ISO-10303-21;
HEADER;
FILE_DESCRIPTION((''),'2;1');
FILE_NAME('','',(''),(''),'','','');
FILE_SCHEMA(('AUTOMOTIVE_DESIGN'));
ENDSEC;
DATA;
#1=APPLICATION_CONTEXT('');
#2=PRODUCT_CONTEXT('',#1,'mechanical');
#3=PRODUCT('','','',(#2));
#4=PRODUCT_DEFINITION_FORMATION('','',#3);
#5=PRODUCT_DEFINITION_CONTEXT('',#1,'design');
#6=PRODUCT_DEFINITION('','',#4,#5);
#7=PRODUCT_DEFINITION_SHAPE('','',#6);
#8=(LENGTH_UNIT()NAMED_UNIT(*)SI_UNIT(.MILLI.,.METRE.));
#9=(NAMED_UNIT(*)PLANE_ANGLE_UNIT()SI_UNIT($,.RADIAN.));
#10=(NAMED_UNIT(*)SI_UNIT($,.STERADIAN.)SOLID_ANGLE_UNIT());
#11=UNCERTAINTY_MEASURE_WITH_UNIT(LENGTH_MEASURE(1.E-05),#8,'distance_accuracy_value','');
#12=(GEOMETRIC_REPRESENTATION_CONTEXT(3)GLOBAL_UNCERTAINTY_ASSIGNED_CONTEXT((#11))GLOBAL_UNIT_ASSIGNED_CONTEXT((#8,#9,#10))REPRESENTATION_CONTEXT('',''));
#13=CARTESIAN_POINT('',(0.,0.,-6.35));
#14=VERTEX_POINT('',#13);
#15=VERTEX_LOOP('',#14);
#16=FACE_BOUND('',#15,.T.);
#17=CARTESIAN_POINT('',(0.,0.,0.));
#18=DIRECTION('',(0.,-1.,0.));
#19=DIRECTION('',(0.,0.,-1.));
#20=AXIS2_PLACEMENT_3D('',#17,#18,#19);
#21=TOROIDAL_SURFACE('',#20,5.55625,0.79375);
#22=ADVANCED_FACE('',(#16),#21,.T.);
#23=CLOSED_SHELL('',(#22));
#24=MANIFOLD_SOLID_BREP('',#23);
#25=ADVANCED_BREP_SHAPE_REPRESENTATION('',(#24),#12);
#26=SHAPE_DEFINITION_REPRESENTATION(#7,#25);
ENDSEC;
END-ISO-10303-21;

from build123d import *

# Parameters (mm, degrees)
SKETCH1_R = 0.79375


with BuildPart() as part:
    # Sketch1 → Revolve1 (revolve)
    with BuildSketch(Plane.XY, mode=Mode.PRIVATE) as revolve1_sk:
        with Locations((-5.55625, 0)):
            Circle(SKETCH1_R)
    revolve(revolve1_sk.sketch.rotate(Axis((0, 0, 0), (0, 1, 0)), 270), axis=Axis((0, 0, 0), (0, 1, 0)))  # turned: the seam where the file's is


solid = part.part
